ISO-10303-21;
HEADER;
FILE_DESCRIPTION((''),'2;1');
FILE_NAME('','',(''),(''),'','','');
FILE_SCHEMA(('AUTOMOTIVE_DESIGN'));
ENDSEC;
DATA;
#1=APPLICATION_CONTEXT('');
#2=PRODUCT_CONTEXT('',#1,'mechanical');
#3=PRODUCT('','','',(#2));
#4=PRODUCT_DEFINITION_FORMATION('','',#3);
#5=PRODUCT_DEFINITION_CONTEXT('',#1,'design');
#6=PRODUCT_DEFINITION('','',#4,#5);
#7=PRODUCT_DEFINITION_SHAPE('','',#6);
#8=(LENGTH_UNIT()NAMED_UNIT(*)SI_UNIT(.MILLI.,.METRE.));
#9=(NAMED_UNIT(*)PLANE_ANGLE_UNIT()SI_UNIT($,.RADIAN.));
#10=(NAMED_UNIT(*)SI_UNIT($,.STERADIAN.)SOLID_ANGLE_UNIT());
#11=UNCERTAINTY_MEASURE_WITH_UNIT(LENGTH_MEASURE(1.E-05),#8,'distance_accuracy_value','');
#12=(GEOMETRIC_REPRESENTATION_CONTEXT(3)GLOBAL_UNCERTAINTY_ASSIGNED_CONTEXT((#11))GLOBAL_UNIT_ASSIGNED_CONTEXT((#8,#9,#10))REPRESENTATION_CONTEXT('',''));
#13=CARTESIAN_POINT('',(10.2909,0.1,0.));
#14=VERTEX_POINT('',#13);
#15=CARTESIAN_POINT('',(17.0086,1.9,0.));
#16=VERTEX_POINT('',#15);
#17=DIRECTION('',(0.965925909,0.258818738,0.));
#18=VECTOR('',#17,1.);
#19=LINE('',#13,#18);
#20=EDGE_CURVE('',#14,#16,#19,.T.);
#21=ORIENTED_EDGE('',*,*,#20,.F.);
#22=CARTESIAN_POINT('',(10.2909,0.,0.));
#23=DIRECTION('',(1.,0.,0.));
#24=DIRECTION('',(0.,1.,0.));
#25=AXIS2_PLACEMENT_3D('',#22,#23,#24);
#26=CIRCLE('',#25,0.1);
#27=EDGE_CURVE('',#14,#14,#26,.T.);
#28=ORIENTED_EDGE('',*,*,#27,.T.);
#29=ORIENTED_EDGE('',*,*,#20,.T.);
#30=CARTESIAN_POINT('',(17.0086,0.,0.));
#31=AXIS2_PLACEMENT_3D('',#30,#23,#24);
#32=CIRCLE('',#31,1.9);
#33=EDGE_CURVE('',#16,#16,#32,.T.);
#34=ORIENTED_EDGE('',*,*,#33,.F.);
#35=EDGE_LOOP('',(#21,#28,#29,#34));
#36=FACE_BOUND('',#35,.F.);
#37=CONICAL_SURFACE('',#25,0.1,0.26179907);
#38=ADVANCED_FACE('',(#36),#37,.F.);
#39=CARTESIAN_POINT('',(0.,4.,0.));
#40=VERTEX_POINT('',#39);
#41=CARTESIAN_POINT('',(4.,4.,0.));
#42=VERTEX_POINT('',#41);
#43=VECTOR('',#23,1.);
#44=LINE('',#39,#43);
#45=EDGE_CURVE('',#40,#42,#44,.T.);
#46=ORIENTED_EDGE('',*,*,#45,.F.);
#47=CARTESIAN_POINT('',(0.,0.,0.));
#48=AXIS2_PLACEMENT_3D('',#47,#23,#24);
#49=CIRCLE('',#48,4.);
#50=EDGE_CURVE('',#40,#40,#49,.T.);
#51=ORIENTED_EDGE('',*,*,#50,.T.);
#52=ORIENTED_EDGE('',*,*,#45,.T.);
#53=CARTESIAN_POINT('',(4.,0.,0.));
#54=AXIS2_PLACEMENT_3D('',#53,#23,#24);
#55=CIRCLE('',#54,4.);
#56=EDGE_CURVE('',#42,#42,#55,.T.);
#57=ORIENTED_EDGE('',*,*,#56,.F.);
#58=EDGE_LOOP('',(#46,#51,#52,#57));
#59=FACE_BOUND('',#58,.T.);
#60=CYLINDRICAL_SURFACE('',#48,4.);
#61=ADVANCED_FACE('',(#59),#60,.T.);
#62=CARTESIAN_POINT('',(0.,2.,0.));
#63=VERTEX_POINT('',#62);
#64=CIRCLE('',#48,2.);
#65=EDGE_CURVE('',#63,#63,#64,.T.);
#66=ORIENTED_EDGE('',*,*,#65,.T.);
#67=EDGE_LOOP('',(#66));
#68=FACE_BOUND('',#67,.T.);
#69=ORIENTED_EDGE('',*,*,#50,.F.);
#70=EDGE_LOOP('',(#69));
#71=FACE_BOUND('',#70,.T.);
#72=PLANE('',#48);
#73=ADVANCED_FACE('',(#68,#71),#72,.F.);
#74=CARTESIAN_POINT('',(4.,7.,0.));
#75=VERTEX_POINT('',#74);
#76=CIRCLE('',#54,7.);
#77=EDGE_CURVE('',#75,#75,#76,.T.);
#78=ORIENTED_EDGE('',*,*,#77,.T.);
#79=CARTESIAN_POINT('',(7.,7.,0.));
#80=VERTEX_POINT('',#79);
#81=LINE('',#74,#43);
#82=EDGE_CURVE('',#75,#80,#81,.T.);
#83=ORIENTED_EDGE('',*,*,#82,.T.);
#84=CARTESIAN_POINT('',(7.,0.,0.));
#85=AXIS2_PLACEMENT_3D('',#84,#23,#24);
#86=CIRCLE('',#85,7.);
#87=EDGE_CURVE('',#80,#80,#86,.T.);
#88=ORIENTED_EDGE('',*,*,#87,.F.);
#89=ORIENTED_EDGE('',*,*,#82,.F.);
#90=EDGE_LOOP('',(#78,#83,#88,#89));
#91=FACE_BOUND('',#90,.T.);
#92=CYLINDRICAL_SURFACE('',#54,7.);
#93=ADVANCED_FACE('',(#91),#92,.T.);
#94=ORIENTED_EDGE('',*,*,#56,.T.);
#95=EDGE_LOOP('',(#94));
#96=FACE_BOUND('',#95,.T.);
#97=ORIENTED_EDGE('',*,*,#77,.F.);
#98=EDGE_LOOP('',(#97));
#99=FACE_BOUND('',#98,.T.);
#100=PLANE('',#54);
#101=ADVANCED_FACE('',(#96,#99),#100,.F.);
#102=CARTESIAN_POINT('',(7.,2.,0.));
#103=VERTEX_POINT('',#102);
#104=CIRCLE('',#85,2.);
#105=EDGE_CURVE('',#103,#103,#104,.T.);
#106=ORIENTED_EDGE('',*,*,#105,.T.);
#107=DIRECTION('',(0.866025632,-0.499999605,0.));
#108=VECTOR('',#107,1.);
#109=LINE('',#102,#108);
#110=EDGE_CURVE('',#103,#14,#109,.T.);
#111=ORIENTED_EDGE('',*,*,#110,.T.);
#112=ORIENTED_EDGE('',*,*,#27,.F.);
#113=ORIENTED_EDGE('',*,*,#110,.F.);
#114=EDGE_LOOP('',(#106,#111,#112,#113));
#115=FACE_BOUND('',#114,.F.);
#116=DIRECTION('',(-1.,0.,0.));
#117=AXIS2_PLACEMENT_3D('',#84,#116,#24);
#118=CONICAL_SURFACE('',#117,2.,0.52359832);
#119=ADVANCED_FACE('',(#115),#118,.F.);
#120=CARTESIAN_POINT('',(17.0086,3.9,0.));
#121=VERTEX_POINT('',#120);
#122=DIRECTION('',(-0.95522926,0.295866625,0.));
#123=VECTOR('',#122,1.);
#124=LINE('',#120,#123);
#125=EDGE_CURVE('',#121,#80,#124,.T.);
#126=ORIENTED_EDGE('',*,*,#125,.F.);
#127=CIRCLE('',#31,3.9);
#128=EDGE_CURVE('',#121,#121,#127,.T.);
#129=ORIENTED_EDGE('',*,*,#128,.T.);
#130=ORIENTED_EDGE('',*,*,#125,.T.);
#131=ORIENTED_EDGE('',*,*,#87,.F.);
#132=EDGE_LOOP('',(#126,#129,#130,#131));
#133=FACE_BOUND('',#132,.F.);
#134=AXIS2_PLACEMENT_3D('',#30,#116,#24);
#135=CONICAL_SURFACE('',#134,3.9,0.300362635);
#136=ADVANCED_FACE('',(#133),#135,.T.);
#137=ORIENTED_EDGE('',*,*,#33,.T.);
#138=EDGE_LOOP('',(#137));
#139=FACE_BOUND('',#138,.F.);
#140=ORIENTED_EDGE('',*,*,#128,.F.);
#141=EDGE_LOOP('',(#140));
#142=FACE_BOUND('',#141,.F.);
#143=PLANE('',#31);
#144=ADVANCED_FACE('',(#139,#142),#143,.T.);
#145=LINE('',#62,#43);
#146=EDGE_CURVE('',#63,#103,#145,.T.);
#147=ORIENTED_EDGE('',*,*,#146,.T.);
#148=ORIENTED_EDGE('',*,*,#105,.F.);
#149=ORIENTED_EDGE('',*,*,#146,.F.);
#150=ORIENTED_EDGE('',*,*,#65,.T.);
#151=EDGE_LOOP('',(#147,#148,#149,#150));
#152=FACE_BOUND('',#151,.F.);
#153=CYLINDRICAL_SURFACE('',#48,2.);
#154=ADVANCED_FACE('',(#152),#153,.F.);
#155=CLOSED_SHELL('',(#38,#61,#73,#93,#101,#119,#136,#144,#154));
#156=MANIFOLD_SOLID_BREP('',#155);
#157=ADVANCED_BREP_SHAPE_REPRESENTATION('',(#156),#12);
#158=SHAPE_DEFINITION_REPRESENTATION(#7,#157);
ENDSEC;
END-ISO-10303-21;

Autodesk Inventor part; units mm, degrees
ref_plane "YZ Plane" through (0, 0, 0) normal (1, 0, 0) x (0, 1, 0)
ref_plane "XZ Plane" through (0, 0, 0) normal (0, 1, 0) x (-1, 0, 0)
ref_plane "XY Plane" through (0, 0, 0) normal (0, 0, 1) x (1, 0, 0)
sketch "Sketch1" plane through (0, 0, 0) normal (0, 0, 1) x (1, 0, 0)
  line L0 (0, 0) -> (0, 2)
  line L1 (0, 2) -> (50, 2)
  line L2 (0, 0) -> (0, 0.1)
  line L3 (0, 0.1) -> (50, 0.1)
  line L4 (0, 0) -> (0, 1.9)
  line L5 (0, 1.9) -> (50, 1.9)
  line L6 (0, 0) -> (0, 4)
  line L7 (0, 4) -> (4, 4)
  line L8 (4, 4) -> (4, 2)
  line L9 (4, 2) -> (4, 7)
  line L10 (4, 2) -> (6.7109, 2) construction
  line L11 (4, 7) -> (7, 7)
  line L12 (7, 7) -> (7, 2)
  line L13 (7, 2) -> (10.2909, 0.1)
  line L14 (7, 2) -> (9.25, 2) construction
  line L15 (10.2909, 0.1) -> (17.0086, 1.9)
  line L16 (10.2909, 0.1) -> (17.2456, 0.1) construction
  line L17 (17.0086, 1.9) -> (17.0086, 3.9)
  line L18 (17.0086, 3.9) -> (7, 7)
  line L19 (0, 0) -> (50, 0)
  line L20 (-10, 0) -> (60, 0) projected
  point P0 (0, 2)
  point P1 (7, 2)
  point P2 (4, 2)
  point P3 (17.0086, 2)
  point P4 (17.3818, 2)
  dimension "d0" = 2
  dimension "d1" = 50
  dimension "d2" = 0.1
  dimension "d3" = 1.9
  dimension "d4" = 4
  dimension "d5" = 4
  dimension "d6" = 5
  dimension "d8" = 3
  dimension "d9" = 30
  dimension "d10" = 15
  dimension "d13" = 50
revolve "Revolution2" add sketch "Sketch1" angle 360 about axis through (-10, 0, 0) along (1, 0, 0) contours L13 L5 L15 | L6 L7 L8 L1 | L13 L1 L17 L5 | L8 L9 L11 L12 L1 | L12 L18 L17 L1
thread "Thread3" size "M8x1.25" class "6g" standard "ISO Metric profile" full length
